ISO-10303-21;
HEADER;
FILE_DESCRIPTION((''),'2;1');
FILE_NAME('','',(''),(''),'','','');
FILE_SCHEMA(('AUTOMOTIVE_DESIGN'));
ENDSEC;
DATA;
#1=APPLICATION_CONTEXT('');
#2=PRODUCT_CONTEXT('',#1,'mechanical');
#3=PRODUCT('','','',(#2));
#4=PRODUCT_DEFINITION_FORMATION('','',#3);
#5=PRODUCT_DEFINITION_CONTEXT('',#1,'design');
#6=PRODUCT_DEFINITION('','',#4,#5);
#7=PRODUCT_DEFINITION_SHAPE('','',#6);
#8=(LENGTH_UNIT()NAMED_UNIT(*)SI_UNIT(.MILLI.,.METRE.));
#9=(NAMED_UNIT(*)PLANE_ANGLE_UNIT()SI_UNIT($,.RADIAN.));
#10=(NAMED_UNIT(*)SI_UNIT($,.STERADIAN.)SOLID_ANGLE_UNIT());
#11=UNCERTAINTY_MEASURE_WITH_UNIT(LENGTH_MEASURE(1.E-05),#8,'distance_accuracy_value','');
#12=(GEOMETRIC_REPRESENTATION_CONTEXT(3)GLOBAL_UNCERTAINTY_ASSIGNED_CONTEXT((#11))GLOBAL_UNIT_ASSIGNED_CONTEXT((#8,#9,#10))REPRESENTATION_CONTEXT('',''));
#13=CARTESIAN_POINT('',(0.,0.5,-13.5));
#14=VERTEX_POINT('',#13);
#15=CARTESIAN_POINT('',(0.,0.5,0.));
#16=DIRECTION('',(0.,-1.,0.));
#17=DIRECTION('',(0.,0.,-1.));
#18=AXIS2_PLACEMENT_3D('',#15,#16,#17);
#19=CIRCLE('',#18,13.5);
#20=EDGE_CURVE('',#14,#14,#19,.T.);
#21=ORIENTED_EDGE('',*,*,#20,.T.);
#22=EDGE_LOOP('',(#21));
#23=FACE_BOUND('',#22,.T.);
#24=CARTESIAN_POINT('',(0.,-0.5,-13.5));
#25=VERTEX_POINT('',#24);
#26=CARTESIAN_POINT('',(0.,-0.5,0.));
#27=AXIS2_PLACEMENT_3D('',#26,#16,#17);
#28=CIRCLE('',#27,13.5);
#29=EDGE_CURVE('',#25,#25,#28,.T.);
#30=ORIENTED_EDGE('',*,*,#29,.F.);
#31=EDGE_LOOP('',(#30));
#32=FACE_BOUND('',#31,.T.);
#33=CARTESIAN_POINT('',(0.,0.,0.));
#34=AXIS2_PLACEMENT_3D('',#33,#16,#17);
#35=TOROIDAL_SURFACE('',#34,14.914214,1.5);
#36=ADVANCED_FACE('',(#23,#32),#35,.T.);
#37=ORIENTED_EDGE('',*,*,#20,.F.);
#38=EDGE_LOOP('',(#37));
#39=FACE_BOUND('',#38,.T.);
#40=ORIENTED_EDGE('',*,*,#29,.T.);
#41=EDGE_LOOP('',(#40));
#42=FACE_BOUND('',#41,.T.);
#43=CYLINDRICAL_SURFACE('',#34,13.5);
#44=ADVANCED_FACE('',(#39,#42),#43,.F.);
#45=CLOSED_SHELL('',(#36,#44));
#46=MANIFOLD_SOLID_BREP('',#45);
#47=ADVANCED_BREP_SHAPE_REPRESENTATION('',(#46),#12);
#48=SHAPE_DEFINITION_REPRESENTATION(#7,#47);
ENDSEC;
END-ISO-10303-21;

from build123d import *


with BuildPart() as part:
    # Sketch2 → Revolve1 (revolve)
    with BuildSketch(Plane.XY):
        with BuildLine():
            Line((-13.5, -0.5), (-13.5, 0.5))
            ThreePointArc((-13.5, 0.5), (-16.414213562, 0), (-13.5, -0.5))
        make_face()
    revolve(axis=Axis((0, 0, 0), (0, 1, 0)))


solid = part.part
